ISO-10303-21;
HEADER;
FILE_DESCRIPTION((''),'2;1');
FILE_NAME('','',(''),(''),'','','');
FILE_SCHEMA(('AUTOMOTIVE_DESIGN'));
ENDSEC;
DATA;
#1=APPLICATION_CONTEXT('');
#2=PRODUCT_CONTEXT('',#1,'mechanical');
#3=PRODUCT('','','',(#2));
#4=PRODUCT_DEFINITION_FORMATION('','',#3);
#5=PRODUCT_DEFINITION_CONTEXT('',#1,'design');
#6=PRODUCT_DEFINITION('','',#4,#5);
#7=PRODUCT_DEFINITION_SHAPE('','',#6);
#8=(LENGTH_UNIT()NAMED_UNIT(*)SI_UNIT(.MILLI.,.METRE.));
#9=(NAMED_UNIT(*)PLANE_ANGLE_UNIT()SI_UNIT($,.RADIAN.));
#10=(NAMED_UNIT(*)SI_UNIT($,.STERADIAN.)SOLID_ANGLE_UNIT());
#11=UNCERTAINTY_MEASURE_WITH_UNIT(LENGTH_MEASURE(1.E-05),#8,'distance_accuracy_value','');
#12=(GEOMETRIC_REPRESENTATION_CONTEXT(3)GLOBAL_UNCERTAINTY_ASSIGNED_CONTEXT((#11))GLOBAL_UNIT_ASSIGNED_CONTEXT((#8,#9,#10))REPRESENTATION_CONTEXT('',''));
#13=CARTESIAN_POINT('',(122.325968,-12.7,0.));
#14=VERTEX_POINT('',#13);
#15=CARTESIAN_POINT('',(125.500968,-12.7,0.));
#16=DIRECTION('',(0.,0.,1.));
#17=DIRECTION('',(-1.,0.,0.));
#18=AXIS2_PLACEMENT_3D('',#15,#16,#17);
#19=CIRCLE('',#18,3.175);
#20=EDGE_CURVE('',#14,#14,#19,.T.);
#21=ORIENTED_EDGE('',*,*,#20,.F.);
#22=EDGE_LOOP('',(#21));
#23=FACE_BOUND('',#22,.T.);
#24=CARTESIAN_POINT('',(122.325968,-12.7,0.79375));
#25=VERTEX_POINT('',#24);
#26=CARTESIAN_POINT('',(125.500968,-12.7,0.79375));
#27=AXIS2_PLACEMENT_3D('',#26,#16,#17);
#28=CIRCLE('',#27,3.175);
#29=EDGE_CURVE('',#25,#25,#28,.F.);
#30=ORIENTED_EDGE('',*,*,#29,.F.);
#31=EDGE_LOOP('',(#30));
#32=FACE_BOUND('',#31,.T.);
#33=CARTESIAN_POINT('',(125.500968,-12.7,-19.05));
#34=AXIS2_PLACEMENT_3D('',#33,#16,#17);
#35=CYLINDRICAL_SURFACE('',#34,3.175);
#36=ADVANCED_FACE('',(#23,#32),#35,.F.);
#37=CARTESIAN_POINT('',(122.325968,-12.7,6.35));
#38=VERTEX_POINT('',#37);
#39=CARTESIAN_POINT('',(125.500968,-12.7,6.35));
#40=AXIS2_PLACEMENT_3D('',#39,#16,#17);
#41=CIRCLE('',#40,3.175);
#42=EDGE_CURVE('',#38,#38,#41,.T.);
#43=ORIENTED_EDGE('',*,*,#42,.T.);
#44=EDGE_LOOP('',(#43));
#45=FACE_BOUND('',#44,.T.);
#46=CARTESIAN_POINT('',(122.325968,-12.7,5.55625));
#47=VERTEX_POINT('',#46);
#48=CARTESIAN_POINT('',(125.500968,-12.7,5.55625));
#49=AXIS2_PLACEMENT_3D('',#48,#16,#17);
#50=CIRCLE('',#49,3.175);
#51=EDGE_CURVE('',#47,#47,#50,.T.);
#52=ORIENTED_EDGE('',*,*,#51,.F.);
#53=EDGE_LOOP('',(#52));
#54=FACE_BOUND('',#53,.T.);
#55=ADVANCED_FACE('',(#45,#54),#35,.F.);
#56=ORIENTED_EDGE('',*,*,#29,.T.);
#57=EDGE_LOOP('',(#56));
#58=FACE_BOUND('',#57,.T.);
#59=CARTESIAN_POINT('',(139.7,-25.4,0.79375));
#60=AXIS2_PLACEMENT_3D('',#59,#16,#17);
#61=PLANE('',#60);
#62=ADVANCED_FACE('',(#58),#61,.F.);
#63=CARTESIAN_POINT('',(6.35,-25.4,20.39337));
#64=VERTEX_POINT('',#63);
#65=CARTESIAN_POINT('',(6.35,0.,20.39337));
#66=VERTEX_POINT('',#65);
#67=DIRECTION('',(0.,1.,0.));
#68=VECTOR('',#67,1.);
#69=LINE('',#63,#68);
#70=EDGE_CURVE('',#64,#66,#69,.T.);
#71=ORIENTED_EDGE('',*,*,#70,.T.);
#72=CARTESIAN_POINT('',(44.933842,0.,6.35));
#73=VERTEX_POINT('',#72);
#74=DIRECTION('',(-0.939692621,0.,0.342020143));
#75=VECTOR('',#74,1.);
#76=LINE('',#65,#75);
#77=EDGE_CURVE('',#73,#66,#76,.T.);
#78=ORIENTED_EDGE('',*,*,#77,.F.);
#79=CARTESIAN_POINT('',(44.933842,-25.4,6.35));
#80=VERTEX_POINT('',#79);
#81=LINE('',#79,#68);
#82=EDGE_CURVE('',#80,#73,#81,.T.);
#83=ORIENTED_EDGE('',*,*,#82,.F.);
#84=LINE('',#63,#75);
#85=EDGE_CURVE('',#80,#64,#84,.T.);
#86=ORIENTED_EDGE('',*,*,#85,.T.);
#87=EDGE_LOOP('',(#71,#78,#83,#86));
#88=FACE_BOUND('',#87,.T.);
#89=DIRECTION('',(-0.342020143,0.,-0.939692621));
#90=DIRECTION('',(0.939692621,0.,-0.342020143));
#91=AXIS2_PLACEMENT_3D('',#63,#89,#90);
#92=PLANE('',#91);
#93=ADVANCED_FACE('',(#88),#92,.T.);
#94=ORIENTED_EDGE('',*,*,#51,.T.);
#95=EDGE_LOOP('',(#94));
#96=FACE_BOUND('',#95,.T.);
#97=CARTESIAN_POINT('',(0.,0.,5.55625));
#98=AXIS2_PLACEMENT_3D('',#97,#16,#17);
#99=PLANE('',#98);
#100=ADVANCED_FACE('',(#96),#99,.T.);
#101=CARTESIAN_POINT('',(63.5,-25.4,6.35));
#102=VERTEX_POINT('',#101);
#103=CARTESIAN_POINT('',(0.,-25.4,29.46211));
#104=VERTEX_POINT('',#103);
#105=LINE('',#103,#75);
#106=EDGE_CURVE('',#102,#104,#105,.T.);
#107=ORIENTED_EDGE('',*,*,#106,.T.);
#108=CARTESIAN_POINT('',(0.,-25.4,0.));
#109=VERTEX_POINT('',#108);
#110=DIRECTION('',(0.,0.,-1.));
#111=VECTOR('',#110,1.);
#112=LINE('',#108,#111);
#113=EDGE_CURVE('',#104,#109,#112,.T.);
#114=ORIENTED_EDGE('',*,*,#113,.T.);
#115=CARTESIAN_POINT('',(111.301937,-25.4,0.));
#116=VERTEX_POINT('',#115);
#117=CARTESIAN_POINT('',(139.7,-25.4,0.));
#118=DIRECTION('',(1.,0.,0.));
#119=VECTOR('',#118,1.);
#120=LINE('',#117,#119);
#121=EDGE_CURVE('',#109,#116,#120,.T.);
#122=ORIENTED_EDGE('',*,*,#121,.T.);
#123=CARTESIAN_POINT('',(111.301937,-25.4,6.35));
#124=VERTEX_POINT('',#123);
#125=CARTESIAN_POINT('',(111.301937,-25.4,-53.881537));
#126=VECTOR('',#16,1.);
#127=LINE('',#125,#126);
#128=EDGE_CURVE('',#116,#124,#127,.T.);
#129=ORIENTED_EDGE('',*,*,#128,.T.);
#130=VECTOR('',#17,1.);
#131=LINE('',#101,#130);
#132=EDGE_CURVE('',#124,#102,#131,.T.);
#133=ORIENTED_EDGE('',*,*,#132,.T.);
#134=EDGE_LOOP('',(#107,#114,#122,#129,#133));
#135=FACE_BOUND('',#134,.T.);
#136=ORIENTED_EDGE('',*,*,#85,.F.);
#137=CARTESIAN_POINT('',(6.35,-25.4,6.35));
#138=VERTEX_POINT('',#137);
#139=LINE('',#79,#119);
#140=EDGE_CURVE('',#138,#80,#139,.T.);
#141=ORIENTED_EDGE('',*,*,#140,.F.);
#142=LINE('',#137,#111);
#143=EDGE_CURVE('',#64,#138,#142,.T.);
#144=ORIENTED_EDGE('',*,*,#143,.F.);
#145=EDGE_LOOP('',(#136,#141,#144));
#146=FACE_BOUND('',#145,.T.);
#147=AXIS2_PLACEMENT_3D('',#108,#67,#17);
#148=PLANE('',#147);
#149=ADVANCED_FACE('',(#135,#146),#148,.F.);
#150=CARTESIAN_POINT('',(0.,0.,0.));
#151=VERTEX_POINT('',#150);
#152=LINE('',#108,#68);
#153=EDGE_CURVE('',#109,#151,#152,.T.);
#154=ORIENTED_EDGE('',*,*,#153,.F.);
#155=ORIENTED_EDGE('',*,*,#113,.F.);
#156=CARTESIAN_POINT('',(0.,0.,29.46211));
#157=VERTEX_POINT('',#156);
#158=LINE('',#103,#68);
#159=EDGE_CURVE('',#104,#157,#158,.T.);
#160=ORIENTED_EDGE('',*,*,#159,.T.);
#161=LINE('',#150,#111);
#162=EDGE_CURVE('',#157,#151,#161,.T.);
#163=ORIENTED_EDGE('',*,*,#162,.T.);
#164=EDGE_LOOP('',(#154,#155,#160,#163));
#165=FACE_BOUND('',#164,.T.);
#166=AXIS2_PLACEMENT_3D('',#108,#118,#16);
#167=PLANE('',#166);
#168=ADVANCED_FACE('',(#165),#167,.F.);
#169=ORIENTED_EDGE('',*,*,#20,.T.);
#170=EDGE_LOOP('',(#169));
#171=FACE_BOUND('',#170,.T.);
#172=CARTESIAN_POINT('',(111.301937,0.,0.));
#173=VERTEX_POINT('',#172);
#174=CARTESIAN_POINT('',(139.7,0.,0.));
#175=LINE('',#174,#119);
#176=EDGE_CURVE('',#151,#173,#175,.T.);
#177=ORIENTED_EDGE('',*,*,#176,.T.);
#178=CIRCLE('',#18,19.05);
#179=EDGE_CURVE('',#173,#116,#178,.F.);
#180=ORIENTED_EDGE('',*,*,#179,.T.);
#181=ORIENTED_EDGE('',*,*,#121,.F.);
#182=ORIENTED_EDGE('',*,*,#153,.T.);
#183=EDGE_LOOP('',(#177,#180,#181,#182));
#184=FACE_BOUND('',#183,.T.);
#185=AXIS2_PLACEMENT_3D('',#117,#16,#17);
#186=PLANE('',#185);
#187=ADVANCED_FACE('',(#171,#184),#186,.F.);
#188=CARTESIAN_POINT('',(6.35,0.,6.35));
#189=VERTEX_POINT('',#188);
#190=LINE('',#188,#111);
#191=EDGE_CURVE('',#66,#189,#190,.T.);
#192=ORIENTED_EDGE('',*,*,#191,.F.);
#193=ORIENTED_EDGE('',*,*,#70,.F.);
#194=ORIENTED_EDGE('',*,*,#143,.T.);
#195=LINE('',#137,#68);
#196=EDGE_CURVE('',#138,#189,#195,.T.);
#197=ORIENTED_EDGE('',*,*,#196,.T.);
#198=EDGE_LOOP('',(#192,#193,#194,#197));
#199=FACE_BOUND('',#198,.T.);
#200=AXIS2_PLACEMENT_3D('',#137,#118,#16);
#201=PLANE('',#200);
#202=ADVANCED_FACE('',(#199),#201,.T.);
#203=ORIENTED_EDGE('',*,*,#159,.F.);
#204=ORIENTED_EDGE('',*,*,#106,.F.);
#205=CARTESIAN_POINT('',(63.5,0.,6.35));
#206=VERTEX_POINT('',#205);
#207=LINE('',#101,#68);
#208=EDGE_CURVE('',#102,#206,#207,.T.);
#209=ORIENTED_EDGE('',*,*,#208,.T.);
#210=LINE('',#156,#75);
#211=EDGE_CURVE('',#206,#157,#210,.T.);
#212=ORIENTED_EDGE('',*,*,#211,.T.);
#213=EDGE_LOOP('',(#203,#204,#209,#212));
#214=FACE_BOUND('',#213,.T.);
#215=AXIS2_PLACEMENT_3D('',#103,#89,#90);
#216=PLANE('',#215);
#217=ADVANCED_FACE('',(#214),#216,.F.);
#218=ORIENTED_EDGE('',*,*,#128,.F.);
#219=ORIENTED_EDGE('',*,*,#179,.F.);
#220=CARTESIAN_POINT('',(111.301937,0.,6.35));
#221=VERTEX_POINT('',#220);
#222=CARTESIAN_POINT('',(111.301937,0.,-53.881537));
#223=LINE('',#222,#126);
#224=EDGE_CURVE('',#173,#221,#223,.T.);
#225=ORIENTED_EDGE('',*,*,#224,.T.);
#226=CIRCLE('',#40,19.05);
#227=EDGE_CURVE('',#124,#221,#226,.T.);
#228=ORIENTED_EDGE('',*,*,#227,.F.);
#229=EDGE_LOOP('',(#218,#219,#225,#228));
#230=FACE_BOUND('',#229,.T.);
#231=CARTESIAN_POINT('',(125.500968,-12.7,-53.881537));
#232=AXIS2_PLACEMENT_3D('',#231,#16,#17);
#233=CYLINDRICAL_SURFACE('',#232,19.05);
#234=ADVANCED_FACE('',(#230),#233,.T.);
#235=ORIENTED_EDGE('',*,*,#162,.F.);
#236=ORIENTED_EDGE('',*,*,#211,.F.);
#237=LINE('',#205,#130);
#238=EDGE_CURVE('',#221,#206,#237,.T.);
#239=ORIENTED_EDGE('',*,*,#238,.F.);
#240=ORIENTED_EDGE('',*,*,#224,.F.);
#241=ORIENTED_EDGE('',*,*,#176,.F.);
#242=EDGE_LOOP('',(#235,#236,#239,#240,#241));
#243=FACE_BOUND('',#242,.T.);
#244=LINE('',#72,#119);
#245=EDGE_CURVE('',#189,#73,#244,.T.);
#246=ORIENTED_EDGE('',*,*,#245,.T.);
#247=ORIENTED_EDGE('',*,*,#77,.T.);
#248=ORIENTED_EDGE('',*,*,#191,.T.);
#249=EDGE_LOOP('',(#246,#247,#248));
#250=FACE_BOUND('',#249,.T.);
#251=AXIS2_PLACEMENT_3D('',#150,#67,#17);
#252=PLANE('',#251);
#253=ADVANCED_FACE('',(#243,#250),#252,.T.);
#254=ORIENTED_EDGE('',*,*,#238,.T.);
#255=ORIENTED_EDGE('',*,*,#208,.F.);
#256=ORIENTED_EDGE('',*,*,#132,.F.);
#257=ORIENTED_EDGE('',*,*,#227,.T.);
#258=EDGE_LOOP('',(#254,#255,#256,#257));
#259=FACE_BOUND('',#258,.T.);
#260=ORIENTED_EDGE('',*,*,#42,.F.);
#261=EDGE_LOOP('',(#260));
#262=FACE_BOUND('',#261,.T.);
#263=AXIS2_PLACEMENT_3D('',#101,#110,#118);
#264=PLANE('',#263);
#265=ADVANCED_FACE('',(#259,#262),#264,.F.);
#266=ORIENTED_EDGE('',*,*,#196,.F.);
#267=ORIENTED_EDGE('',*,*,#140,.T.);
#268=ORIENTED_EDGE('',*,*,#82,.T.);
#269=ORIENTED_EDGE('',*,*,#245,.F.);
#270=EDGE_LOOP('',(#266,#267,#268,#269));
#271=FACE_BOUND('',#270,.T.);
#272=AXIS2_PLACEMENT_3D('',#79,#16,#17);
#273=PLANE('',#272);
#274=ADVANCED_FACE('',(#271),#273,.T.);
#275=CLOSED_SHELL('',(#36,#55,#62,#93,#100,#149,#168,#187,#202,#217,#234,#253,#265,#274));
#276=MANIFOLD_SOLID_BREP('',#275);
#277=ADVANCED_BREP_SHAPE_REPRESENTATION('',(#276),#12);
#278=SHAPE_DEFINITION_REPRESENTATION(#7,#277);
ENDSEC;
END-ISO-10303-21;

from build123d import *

# Parameters (mm, degrees)
BOSS_EXTRUDE1_DEPTH   = 25.4
SKETCH3_R             = 19.05
SKETCH3_R_2           = 3.175
BOSS_EXTRUDE2_DEPTH   = 6.35
CUT_EXTRUDE1_DEPTH    = 25.4
BOSS_EXTRUDE3_START   = -0.79375
BOSS_EXTRUDE3_DEPTH   = 4.7625
BODY_MOVE_COPY1_ANGLE = 90


with BuildPart() as part:
    # Sketch2 → Boss-Extrude1 (new body)
    with BuildSketch(Plane.XY):
        Polygon((0, 0), (0, 29.462109876), (63.5, 6.35), (139.7, 6.35), (139.7, 0), align=None)
        Polygon((44.933842059, 6.35), (6.35, 6.35), (6.35, 20.393370033), align=None, mode=Mode.SUBTRACT)
    extrude(amount=BOSS_EXTRUDE1_DEPTH)

    # Sketch3 → Boss-Extrude2 (add)
    with BuildSketch(Plane(origin=(0, 6.35, 0), x_dir=(1, 0, 0), z_dir=(0, 1, 0))):
        with Locations((125.500968343, -12.7)):
            Circle(SKETCH3_R)
        with Locations((125.500968343, -12.7)):
            Circle(SKETCH3_R_2, mode=Mode.SUBTRACT)
    extrude(amount=-BOSS_EXTRUDE2_DEPTH)

    # Sketch3<2> → Cut-Extrude1 (cut)
    with BuildSketch(Plane(origin=(0, 6.35, 0), x_dir=(1, 0, 0), z_dir=(0, 1, 0))):
        with BuildLine():
            ThreePointArc((122.325968343, -12.7), (125.500968343, -15.875), (128.675968343, -12.7))
            Line((128.675968343, -12.7), (122.325968343, -12.7))
        make_face()
        with BuildLine():
            Line((122.325968343, -12.7), (128.675968343, -12.7))
            ThreePointArc((128.675968343, -12.7), (125.500968343, -9.525), (122.325968343, -12.7))
        make_face()
    extrude(amount=-CUT_EXTRUDE1_DEPTH, mode=Mode.SUBTRACT)

    # Sketch3<3> → Boss-Extrude3 (add)
    with BuildSketch(Plane(origin=(0, 6.35, 0), x_dir=(1, 0, 0), z_dir=(0, 1, 0)).offset(BOSS_EXTRUDE3_START)):
        with BuildLine():
            ThreePointArc((122.325968343, -12.7), (125.500968343, -15.875), (128.675968343, -12.7))
            Line((128.675968343, -12.7), (122.325968343, -12.7))
        make_face()
        with BuildLine():
            Line((122.325968343, -12.7), (128.675968343, -12.7))
            ThreePointArc((128.675968343, -12.7), (125.500968343, -9.525), (122.325968343, -12.7))
        make_face()
    extrude(amount=-BOSS_EXTRUDE3_DEPTH)


with BuildPart() as part_1:
    # Body-Move/Copy1: moved
    add(part.part.rotate(Axis((0, 0, 0), (1, 0, 0)), BODY_MOVE_COPY1_ANGLE))


solid = part_1.part
